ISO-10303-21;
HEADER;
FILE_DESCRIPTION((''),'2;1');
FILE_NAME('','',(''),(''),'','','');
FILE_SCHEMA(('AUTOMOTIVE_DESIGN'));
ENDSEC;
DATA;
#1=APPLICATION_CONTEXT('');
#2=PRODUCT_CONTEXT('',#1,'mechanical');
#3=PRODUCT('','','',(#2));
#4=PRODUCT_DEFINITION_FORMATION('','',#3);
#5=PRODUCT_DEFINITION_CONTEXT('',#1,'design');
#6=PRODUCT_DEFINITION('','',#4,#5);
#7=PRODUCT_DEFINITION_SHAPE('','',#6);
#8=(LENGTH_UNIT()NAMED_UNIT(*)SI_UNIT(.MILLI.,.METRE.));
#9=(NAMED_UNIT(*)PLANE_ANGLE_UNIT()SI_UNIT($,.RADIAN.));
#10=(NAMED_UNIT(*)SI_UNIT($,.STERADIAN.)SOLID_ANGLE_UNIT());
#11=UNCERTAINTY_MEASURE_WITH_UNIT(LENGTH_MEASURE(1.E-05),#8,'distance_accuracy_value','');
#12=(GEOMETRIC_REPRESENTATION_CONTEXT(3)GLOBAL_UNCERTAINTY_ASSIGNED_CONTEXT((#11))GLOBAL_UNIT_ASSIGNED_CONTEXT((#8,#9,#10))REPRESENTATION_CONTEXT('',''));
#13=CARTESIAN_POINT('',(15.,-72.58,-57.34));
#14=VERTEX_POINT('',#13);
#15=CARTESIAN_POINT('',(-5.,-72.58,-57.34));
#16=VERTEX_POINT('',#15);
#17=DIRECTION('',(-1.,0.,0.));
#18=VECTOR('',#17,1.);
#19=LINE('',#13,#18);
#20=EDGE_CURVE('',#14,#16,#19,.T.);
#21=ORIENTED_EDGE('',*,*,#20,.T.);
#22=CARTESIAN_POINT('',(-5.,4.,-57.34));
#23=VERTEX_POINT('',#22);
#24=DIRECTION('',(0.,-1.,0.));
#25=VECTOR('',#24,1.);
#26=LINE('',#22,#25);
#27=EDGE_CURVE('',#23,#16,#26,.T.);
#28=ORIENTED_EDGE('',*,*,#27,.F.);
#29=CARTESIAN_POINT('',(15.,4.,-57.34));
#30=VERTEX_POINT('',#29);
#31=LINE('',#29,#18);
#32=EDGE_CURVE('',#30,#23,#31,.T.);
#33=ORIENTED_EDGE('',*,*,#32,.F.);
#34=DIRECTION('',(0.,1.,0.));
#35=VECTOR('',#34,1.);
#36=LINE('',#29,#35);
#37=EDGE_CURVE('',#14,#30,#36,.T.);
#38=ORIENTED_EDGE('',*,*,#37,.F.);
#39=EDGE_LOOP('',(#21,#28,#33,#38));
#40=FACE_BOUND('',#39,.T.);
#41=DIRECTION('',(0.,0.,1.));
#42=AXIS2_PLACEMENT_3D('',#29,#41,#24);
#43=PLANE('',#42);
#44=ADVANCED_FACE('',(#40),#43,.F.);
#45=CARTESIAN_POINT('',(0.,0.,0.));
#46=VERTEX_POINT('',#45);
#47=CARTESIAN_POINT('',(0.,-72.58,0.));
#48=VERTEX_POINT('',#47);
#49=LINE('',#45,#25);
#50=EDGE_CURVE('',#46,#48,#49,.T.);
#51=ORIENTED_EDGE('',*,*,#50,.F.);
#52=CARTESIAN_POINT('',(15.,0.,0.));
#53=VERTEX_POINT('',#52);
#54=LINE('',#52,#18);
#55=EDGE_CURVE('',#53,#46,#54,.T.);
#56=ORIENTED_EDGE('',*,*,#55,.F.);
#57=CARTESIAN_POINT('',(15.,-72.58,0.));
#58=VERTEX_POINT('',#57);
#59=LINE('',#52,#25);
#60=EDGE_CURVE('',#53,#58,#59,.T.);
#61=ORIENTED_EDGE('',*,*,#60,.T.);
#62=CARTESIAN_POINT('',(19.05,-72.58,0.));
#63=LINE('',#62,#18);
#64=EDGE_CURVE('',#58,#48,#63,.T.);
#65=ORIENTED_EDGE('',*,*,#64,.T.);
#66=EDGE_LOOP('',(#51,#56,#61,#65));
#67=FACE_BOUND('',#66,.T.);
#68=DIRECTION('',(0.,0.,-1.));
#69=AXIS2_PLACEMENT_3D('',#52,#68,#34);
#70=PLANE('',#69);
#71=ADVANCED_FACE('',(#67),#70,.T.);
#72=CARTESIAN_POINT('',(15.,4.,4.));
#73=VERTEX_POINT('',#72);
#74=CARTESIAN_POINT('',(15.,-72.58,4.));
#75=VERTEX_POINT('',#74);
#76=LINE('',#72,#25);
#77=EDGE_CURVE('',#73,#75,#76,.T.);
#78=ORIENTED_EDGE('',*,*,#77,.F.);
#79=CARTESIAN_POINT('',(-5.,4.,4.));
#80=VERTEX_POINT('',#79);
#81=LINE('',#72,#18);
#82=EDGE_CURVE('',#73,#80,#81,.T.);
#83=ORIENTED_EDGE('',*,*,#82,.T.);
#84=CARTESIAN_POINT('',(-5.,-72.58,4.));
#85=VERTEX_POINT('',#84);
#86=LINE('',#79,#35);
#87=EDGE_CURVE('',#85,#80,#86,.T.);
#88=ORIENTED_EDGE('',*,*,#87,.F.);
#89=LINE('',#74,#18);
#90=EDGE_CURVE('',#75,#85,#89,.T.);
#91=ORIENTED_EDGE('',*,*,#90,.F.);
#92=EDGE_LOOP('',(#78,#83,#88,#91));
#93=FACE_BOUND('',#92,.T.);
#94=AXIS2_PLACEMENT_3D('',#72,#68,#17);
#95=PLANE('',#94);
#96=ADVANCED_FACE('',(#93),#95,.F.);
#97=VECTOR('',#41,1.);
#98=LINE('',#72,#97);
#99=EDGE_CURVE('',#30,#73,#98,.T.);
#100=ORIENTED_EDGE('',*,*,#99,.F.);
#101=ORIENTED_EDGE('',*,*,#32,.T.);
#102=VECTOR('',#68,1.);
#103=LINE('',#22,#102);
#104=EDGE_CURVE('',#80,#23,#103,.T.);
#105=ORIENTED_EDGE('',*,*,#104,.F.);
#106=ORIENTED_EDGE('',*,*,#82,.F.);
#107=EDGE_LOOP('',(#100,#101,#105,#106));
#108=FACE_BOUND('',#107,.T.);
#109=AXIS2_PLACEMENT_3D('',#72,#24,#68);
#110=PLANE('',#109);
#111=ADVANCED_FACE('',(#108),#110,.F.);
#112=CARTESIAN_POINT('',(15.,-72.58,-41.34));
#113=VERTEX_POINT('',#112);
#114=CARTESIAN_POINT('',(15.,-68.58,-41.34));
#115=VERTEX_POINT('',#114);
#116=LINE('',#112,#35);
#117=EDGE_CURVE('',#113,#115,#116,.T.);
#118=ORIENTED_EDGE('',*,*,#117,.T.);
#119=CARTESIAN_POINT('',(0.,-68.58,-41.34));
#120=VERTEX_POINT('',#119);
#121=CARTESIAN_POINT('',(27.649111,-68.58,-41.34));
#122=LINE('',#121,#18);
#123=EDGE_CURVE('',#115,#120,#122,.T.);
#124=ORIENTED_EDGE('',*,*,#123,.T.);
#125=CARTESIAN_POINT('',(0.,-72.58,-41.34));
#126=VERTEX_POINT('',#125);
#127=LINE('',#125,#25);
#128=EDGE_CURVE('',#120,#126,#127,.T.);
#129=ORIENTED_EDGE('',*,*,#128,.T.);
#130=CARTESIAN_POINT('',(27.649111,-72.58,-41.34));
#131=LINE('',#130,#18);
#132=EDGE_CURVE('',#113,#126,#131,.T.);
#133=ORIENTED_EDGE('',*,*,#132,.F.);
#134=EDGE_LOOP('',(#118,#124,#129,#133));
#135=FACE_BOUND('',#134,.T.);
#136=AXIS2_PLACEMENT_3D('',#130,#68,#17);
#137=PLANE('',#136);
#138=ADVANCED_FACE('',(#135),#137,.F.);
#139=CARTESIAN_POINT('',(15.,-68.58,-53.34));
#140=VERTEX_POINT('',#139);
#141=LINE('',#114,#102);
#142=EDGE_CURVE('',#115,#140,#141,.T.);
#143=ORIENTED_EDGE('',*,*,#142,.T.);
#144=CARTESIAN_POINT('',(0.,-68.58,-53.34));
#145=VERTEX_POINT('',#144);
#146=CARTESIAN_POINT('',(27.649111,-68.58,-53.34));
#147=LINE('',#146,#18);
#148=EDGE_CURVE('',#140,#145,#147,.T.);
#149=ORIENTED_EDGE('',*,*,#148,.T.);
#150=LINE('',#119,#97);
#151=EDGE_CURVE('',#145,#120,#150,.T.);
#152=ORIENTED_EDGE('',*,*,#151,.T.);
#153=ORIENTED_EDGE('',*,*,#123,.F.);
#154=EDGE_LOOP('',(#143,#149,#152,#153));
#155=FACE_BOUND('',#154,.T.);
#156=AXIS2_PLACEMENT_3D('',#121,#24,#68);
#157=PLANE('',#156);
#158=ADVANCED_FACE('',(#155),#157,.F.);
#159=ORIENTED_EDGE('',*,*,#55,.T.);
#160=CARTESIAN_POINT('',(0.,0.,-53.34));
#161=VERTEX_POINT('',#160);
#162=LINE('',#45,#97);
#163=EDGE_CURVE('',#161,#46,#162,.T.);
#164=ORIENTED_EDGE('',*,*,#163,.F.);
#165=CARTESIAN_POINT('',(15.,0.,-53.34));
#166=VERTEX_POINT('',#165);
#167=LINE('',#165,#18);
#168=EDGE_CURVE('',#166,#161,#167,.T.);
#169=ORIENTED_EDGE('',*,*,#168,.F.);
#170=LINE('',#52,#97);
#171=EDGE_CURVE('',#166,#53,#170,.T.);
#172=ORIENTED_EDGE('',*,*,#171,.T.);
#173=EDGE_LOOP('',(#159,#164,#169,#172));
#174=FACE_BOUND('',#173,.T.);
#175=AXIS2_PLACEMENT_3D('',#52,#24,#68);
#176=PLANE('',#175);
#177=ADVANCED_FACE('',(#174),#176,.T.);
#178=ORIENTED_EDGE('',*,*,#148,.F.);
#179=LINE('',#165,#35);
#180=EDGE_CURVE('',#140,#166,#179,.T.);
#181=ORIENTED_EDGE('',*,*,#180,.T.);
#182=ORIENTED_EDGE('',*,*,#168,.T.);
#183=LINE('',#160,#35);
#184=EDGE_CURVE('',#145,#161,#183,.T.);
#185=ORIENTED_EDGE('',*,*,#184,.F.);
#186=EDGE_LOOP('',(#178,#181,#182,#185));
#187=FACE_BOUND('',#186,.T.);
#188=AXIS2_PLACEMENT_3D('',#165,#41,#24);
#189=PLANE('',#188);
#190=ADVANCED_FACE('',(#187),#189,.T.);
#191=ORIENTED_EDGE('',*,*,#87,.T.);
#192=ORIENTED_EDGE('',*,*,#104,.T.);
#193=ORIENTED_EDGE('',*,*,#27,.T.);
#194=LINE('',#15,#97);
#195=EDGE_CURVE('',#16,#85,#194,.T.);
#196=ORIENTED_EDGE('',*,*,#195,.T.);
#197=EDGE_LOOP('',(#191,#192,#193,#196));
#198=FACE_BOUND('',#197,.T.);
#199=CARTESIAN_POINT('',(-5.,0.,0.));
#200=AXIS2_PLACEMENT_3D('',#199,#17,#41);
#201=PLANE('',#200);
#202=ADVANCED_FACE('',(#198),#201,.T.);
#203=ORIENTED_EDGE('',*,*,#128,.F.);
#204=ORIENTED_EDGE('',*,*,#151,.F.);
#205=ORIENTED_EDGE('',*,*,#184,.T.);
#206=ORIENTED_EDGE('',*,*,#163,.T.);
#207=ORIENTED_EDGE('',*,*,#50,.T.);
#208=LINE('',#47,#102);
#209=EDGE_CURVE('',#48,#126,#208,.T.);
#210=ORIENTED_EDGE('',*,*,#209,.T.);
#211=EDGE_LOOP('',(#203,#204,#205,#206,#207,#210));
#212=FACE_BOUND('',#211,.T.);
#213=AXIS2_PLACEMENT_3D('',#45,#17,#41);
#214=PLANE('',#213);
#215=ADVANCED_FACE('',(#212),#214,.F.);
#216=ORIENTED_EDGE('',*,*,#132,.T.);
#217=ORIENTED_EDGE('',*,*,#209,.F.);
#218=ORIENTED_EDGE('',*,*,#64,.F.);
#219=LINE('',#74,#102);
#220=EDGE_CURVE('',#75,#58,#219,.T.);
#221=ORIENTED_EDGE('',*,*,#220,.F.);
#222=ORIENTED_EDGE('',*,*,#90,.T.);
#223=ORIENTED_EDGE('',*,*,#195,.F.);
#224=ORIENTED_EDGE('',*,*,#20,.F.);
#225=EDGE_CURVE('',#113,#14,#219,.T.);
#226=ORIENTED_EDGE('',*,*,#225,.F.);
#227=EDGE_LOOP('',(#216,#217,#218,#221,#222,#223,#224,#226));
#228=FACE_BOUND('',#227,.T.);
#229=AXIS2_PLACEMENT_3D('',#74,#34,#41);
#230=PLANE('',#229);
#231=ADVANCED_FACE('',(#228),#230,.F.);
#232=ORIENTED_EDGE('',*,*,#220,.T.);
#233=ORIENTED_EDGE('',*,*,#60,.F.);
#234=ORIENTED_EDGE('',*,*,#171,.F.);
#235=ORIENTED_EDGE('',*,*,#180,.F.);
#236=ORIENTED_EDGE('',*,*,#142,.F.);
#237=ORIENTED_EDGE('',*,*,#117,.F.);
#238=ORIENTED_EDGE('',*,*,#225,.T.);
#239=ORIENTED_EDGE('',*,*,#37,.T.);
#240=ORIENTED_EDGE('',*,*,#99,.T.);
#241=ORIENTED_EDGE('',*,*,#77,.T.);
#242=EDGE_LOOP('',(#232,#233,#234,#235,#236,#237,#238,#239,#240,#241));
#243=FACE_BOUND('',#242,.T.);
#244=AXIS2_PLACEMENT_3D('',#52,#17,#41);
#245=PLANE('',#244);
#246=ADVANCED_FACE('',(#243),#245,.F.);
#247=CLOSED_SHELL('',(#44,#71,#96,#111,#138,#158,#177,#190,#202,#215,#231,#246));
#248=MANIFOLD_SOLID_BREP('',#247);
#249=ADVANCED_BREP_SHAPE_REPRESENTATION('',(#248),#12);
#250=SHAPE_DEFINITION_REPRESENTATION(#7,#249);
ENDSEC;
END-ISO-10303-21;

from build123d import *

# Parameters (mm, degrees)
SKETCH1_W           = 61.34
SKETCH1_H           = 76.58
SKETCH1_W_2         = 53.34
SKETCH1_H_2         = 68.58
BOSS_EXTRUDE1_DEPTH = 15
SKETCH2_W           = 61.34
SKETCH2_H           = 76.58
BOSS_EXTRUDE2_DEPTH = 5
SKETCH4_W           = 19.05
SKETCH4_H           = 53.34
CUT_EXTRUDE2_DEPTH  = 21
SKETCH5_W           = 12
SKETCH5_H           = 4
BOSS_EXTRUDE3_DEPTH = 15


with BuildPart() as part:
    # Sketch1 → Boss-Extrude1 (new body)
    with BuildSketch(Plane(origin=(0, 0, 0), x_dir=(0, 0, -1), z_dir=(1, 0, 0))):
        with Locations((26.67, -34.29)):
            Rectangle(SKETCH1_W, SKETCH1_H)
        with Locations((26.67, -34.29)):
            Rectangle(SKETCH1_W_2, SKETCH1_H_2, mode=Mode.SUBTRACT)
    extrude(amount=BOSS_EXTRUDE1_DEPTH)

    # Sketch2 → Boss-Extrude2 (add)
    with BuildSketch(Plane.ZY):
        with Locations((-26.67, -34.29)):
            Rectangle(SKETCH2_W, SKETCH2_H)
    extrude(amount=BOSS_EXTRUDE2_DEPTH)

    # Sketch4 → Cut-Extrude2 (cut)
    with BuildSketch(Plane(origin=(0, -72.58, 0), x_dir=(-1, 0, 0), z_dir=(0, -1, 0))):
        with Locations((-9.525, 26.67)):
            Rectangle(SKETCH4_W, SKETCH4_H)
    extrude(amount=-CUT_EXTRUDE2_DEPTH, mode=Mode.SUBTRACT)

    # Sketch5 → Boss-Extrude3 (add)
    with BuildSketch(Plane(origin=(0, 0, 0), x_dir=(0, 0, -1), z_dir=(1, 0, 0))):
        with Locations((47.34, -70.58)):
            Rectangle(SKETCH5_W, SKETCH5_H)
    extrude(amount=BOSS_EXTRUDE3_DEPTH)


solid = part.part
